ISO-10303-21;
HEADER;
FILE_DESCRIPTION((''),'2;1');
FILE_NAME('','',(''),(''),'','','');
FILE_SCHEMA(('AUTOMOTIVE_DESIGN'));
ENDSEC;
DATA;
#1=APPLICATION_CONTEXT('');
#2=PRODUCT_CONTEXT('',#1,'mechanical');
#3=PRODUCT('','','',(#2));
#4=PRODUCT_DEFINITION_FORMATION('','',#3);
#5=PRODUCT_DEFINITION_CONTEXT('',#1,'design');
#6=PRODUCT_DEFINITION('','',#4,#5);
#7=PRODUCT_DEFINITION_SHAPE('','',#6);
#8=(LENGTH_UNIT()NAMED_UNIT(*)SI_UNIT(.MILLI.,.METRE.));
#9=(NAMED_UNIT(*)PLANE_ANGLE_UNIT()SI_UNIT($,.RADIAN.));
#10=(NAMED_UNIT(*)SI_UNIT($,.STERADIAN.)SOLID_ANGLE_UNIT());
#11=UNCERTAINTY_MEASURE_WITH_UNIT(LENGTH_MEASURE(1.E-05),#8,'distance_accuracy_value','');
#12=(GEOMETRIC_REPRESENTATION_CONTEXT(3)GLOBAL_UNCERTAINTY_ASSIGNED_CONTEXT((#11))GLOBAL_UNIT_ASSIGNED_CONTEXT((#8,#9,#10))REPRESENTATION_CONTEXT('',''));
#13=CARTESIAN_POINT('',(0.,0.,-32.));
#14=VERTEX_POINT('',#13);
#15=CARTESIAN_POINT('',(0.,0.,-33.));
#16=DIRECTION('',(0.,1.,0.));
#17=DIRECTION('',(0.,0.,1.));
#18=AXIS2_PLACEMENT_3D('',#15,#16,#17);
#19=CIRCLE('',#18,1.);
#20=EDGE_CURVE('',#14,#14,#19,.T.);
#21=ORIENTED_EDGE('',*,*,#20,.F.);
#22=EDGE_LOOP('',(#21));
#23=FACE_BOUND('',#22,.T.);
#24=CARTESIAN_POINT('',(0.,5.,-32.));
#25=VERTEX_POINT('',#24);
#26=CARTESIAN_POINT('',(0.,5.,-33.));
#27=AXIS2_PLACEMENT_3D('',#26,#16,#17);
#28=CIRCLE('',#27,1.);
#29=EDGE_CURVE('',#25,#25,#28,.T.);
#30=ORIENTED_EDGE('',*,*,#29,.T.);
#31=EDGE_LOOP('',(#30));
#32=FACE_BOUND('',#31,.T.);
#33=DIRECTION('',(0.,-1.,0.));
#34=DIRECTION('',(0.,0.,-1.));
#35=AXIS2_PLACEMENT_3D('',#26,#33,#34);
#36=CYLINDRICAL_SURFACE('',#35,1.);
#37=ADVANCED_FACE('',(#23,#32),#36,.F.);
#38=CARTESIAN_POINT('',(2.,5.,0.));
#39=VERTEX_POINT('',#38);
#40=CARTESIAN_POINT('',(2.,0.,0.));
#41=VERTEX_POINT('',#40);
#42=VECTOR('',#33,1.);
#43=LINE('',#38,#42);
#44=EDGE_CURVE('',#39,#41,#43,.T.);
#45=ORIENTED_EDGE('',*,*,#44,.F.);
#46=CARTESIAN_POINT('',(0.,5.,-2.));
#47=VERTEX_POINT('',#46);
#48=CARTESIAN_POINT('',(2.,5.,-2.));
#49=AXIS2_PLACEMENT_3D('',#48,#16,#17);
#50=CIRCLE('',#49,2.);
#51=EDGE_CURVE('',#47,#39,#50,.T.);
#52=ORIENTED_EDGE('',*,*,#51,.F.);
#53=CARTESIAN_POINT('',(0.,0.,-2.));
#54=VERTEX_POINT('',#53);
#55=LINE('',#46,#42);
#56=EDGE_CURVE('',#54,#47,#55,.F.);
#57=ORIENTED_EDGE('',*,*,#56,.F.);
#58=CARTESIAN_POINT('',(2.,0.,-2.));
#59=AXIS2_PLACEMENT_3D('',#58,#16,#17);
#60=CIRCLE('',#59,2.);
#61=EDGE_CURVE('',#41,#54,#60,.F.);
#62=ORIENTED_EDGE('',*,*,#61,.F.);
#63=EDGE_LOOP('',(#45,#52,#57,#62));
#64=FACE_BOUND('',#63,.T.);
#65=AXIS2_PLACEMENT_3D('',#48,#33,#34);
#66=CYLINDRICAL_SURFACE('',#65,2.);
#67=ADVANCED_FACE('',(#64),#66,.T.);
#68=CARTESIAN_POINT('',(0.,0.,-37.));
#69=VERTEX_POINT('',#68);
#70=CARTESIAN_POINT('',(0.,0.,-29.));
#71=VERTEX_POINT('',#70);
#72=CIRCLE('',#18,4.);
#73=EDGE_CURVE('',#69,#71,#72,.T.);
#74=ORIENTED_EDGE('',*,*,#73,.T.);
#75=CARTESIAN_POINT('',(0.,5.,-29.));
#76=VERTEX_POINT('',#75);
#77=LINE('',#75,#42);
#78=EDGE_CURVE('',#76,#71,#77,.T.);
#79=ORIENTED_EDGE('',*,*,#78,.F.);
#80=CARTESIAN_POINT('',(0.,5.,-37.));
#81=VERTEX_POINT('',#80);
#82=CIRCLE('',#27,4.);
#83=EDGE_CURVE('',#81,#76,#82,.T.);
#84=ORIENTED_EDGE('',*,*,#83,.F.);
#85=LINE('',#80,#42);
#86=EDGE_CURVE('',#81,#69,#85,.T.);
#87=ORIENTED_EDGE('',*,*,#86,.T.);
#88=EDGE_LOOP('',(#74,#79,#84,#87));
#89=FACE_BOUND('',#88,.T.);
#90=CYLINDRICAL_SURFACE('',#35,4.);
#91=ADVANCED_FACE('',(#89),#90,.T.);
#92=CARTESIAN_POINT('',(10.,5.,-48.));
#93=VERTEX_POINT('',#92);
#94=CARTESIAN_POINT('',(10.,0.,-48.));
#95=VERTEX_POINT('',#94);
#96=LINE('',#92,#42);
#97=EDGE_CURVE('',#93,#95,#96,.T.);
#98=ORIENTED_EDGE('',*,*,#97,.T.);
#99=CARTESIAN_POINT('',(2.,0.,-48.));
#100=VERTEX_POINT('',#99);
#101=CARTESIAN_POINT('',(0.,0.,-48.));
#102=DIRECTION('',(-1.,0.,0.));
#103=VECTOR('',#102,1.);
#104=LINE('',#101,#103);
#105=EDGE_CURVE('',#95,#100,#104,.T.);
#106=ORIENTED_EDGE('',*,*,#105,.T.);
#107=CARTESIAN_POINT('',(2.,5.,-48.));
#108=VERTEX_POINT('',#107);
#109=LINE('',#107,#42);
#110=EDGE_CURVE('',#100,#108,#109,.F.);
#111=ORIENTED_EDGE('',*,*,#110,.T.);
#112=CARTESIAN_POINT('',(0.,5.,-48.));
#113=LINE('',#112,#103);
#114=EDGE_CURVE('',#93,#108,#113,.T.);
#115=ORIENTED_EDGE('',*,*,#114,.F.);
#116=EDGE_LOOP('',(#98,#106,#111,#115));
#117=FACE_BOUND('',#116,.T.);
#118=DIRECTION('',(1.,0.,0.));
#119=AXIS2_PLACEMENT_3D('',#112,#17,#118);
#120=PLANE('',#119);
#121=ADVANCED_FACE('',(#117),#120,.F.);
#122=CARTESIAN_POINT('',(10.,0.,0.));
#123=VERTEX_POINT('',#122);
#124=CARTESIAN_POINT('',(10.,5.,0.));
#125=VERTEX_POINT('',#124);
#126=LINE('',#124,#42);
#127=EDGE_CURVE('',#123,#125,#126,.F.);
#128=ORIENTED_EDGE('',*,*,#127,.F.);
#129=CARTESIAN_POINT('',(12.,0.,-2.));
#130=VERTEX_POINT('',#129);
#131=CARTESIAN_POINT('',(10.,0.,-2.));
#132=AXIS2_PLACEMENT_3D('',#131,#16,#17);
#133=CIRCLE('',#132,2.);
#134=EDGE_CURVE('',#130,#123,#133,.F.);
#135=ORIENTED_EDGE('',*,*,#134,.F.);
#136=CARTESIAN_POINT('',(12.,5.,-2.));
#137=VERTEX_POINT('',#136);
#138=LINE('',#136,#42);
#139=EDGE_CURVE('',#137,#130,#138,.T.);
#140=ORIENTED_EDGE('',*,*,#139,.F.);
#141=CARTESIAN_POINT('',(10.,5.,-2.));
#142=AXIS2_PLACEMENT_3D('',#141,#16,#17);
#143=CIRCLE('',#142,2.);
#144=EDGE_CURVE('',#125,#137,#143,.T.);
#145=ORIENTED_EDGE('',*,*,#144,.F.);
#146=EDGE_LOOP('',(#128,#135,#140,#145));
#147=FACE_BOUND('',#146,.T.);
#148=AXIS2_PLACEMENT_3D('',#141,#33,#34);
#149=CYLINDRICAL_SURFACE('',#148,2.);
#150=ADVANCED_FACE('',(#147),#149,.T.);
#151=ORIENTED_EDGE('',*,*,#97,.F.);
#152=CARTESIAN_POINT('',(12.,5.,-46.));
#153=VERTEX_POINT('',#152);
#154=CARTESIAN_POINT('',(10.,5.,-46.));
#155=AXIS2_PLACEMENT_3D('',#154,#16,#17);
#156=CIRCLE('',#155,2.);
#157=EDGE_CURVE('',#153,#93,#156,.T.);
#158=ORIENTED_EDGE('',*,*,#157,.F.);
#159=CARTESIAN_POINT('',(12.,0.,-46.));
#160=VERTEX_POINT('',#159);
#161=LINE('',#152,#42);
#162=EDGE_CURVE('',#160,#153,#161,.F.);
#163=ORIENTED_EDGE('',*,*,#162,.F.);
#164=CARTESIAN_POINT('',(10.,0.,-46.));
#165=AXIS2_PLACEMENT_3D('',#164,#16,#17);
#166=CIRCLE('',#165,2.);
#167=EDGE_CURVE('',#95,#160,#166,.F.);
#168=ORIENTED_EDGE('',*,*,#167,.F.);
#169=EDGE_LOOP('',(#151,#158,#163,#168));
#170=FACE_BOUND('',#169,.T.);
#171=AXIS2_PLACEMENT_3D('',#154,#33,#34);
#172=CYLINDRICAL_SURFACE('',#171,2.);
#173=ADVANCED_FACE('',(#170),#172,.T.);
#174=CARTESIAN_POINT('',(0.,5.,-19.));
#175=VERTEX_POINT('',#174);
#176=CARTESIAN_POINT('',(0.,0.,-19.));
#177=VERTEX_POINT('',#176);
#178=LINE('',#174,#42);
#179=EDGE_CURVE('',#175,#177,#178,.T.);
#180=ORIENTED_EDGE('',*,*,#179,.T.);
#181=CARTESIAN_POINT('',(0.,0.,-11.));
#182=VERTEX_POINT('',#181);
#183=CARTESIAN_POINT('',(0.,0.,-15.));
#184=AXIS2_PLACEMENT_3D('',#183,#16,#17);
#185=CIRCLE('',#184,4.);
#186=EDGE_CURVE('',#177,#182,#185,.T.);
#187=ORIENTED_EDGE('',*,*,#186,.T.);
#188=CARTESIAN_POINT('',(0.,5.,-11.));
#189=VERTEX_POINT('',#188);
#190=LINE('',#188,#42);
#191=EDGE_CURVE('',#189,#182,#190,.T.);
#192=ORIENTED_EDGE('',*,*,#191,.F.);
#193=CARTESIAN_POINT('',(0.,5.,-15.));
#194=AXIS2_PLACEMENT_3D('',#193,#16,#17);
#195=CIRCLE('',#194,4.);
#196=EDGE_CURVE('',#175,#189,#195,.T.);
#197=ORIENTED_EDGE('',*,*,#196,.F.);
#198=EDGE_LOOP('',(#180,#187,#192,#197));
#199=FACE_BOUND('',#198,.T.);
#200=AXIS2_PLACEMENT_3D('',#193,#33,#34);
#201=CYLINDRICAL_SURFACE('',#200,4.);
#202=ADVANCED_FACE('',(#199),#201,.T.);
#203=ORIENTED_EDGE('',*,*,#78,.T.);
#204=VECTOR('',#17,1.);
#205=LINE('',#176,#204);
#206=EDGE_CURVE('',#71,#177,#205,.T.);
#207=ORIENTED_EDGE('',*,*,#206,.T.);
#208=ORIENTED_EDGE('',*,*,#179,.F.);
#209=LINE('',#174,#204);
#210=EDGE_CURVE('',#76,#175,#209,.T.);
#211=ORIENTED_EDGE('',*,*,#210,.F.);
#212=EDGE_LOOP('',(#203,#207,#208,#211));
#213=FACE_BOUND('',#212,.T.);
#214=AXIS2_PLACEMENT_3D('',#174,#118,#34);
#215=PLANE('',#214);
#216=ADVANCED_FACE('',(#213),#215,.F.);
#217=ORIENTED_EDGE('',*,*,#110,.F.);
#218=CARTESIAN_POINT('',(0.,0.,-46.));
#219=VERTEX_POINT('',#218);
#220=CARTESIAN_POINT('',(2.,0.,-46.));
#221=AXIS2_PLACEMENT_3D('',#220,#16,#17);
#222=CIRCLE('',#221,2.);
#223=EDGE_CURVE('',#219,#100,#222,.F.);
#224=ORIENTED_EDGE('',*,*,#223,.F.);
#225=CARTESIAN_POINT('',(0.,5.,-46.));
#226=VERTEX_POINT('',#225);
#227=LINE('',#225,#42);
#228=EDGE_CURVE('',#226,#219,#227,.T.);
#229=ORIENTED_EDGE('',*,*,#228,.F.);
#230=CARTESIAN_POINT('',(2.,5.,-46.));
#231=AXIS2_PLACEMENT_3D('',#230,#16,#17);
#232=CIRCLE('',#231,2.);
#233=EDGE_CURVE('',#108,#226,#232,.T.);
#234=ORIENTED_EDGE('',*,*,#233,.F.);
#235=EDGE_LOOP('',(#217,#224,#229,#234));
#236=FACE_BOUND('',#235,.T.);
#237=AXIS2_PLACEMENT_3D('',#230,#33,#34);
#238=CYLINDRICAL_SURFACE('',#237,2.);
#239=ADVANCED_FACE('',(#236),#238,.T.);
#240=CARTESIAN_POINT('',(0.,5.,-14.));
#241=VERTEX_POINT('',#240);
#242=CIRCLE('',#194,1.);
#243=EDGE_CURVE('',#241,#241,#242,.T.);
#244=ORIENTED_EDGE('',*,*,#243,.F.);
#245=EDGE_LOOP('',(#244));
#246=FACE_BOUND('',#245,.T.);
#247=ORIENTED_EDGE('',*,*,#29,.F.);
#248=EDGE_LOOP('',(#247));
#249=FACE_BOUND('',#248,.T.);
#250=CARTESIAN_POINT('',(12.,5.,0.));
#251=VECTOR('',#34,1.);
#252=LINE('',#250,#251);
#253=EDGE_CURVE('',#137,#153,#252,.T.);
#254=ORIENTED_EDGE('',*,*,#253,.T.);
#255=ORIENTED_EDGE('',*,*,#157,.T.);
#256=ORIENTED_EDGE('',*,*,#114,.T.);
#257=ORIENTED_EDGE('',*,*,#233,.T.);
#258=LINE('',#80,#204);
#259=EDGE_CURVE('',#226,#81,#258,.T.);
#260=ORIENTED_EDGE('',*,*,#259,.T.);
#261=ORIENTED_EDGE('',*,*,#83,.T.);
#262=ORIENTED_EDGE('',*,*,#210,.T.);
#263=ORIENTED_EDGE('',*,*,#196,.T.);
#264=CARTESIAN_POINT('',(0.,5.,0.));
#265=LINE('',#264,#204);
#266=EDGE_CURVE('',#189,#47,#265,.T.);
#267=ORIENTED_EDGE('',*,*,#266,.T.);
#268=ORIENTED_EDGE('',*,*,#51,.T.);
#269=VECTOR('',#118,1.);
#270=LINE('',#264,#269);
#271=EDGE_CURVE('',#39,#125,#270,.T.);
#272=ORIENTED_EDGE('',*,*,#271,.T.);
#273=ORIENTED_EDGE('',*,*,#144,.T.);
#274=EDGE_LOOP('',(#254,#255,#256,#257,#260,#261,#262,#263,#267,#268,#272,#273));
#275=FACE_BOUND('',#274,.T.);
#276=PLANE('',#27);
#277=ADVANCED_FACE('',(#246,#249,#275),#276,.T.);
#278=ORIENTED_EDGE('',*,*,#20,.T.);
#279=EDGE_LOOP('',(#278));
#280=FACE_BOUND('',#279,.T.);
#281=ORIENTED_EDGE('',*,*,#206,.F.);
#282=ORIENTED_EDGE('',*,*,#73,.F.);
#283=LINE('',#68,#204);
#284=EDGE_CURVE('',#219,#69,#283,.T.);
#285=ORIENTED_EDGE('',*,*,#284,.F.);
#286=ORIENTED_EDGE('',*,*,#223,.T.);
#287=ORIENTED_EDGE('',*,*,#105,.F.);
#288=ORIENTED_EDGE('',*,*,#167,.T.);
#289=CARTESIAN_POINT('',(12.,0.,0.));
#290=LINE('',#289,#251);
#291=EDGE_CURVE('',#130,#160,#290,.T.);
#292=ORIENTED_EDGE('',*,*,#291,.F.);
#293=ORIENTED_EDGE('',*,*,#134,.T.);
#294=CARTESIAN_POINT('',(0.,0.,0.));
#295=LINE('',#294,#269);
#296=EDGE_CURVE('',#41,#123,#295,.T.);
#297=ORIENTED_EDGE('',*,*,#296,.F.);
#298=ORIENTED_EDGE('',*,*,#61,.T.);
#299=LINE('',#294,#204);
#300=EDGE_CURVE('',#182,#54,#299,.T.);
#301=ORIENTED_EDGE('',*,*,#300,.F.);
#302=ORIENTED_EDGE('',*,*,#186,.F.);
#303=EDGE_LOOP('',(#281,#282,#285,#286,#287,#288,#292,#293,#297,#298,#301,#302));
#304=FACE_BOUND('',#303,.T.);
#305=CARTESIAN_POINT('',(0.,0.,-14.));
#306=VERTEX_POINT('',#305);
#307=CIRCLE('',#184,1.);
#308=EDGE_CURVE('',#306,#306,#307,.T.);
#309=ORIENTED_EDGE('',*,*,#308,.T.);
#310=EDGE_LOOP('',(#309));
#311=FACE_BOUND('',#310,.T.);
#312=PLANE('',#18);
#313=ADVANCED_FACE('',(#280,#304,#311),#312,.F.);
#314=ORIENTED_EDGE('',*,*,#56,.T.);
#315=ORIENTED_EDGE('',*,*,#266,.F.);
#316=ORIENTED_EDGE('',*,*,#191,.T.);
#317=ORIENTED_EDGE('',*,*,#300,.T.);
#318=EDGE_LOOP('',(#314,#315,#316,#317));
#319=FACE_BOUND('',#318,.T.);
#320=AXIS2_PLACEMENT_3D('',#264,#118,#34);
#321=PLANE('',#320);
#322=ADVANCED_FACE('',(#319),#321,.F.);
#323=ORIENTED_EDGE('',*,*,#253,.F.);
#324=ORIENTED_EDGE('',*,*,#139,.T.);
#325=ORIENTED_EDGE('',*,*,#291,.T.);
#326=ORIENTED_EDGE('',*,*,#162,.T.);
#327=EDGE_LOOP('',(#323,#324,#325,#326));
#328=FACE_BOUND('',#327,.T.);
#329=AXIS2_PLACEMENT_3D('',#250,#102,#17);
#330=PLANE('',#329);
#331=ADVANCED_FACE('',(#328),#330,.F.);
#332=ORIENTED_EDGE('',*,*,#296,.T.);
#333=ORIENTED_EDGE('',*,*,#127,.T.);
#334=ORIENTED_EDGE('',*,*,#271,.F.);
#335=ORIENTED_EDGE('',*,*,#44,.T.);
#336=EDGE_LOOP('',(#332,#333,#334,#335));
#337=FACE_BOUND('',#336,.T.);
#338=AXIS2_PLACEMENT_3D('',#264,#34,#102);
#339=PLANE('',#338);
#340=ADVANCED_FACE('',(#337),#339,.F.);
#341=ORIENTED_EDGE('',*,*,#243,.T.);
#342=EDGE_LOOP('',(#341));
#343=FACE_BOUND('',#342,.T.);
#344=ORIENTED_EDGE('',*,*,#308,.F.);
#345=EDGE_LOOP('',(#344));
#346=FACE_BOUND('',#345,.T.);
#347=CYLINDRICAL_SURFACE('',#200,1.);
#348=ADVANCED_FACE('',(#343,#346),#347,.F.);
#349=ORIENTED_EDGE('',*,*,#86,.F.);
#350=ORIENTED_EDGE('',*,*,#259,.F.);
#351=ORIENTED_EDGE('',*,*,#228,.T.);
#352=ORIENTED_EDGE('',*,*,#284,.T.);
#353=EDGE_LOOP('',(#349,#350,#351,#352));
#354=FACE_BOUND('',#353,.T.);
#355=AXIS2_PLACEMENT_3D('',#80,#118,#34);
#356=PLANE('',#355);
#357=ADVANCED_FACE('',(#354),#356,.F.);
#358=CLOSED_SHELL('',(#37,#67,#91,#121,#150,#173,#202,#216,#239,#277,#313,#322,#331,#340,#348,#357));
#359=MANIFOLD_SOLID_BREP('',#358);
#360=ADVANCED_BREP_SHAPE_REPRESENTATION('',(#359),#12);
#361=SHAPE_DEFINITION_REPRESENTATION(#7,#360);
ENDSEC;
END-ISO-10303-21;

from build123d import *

# Parameters (mm, degrees)
SKETCH1_R           = 1
BOSS_EXTRUDE1_DEPTH = 5
FILLET2_R           = 2


with BuildPart() as part:
    # Sketch1 → Boss-Extrude1 (new body)
    with BuildSketch(Plane(origin=(0, 0, 0), x_dir=(1, 0, 0), z_dir=(0, 1, 0))):
        with BuildLine():
            Line((0, 0), (12, 0))
            Line((12, 0), (12, 48))
            Line((12, 48), (0, 48))
            Line((0, 48), (0, 37))
            ThreePointArc((0, 37), (-4, 33), (0, 29))
            Line((0, 29), (0, 19))
            ThreePointArc((0, 19), (-4, 15), (0, 11))
            Line((0, 11), (0, 0))
        make_face()
        with Locations(Location((0, 33, 0), (0, 0, 270))):
            Circle(SKETCH1_R, mode=Mode.SUBTRACT)
        with Locations(Location((0, 15, 0), (0, 0, 270))):
            Circle(SKETCH1_R, mode=Mode.SUBTRACT)
    extrude(amount=BOSS_EXTRUDE1_DEPTH)

    # Fillet2
    fillet2_edges = [part.edges().sort_by_distance(p)[0] for p in [
        (12, 2.5, 0),
        (0, 2.5, 0),
        (0, 2.5, -48),
        (12, 2.5, -48),
    ]]
    fillet(fillet2_edges, radius=FILLET2_R)


solid = part.part
